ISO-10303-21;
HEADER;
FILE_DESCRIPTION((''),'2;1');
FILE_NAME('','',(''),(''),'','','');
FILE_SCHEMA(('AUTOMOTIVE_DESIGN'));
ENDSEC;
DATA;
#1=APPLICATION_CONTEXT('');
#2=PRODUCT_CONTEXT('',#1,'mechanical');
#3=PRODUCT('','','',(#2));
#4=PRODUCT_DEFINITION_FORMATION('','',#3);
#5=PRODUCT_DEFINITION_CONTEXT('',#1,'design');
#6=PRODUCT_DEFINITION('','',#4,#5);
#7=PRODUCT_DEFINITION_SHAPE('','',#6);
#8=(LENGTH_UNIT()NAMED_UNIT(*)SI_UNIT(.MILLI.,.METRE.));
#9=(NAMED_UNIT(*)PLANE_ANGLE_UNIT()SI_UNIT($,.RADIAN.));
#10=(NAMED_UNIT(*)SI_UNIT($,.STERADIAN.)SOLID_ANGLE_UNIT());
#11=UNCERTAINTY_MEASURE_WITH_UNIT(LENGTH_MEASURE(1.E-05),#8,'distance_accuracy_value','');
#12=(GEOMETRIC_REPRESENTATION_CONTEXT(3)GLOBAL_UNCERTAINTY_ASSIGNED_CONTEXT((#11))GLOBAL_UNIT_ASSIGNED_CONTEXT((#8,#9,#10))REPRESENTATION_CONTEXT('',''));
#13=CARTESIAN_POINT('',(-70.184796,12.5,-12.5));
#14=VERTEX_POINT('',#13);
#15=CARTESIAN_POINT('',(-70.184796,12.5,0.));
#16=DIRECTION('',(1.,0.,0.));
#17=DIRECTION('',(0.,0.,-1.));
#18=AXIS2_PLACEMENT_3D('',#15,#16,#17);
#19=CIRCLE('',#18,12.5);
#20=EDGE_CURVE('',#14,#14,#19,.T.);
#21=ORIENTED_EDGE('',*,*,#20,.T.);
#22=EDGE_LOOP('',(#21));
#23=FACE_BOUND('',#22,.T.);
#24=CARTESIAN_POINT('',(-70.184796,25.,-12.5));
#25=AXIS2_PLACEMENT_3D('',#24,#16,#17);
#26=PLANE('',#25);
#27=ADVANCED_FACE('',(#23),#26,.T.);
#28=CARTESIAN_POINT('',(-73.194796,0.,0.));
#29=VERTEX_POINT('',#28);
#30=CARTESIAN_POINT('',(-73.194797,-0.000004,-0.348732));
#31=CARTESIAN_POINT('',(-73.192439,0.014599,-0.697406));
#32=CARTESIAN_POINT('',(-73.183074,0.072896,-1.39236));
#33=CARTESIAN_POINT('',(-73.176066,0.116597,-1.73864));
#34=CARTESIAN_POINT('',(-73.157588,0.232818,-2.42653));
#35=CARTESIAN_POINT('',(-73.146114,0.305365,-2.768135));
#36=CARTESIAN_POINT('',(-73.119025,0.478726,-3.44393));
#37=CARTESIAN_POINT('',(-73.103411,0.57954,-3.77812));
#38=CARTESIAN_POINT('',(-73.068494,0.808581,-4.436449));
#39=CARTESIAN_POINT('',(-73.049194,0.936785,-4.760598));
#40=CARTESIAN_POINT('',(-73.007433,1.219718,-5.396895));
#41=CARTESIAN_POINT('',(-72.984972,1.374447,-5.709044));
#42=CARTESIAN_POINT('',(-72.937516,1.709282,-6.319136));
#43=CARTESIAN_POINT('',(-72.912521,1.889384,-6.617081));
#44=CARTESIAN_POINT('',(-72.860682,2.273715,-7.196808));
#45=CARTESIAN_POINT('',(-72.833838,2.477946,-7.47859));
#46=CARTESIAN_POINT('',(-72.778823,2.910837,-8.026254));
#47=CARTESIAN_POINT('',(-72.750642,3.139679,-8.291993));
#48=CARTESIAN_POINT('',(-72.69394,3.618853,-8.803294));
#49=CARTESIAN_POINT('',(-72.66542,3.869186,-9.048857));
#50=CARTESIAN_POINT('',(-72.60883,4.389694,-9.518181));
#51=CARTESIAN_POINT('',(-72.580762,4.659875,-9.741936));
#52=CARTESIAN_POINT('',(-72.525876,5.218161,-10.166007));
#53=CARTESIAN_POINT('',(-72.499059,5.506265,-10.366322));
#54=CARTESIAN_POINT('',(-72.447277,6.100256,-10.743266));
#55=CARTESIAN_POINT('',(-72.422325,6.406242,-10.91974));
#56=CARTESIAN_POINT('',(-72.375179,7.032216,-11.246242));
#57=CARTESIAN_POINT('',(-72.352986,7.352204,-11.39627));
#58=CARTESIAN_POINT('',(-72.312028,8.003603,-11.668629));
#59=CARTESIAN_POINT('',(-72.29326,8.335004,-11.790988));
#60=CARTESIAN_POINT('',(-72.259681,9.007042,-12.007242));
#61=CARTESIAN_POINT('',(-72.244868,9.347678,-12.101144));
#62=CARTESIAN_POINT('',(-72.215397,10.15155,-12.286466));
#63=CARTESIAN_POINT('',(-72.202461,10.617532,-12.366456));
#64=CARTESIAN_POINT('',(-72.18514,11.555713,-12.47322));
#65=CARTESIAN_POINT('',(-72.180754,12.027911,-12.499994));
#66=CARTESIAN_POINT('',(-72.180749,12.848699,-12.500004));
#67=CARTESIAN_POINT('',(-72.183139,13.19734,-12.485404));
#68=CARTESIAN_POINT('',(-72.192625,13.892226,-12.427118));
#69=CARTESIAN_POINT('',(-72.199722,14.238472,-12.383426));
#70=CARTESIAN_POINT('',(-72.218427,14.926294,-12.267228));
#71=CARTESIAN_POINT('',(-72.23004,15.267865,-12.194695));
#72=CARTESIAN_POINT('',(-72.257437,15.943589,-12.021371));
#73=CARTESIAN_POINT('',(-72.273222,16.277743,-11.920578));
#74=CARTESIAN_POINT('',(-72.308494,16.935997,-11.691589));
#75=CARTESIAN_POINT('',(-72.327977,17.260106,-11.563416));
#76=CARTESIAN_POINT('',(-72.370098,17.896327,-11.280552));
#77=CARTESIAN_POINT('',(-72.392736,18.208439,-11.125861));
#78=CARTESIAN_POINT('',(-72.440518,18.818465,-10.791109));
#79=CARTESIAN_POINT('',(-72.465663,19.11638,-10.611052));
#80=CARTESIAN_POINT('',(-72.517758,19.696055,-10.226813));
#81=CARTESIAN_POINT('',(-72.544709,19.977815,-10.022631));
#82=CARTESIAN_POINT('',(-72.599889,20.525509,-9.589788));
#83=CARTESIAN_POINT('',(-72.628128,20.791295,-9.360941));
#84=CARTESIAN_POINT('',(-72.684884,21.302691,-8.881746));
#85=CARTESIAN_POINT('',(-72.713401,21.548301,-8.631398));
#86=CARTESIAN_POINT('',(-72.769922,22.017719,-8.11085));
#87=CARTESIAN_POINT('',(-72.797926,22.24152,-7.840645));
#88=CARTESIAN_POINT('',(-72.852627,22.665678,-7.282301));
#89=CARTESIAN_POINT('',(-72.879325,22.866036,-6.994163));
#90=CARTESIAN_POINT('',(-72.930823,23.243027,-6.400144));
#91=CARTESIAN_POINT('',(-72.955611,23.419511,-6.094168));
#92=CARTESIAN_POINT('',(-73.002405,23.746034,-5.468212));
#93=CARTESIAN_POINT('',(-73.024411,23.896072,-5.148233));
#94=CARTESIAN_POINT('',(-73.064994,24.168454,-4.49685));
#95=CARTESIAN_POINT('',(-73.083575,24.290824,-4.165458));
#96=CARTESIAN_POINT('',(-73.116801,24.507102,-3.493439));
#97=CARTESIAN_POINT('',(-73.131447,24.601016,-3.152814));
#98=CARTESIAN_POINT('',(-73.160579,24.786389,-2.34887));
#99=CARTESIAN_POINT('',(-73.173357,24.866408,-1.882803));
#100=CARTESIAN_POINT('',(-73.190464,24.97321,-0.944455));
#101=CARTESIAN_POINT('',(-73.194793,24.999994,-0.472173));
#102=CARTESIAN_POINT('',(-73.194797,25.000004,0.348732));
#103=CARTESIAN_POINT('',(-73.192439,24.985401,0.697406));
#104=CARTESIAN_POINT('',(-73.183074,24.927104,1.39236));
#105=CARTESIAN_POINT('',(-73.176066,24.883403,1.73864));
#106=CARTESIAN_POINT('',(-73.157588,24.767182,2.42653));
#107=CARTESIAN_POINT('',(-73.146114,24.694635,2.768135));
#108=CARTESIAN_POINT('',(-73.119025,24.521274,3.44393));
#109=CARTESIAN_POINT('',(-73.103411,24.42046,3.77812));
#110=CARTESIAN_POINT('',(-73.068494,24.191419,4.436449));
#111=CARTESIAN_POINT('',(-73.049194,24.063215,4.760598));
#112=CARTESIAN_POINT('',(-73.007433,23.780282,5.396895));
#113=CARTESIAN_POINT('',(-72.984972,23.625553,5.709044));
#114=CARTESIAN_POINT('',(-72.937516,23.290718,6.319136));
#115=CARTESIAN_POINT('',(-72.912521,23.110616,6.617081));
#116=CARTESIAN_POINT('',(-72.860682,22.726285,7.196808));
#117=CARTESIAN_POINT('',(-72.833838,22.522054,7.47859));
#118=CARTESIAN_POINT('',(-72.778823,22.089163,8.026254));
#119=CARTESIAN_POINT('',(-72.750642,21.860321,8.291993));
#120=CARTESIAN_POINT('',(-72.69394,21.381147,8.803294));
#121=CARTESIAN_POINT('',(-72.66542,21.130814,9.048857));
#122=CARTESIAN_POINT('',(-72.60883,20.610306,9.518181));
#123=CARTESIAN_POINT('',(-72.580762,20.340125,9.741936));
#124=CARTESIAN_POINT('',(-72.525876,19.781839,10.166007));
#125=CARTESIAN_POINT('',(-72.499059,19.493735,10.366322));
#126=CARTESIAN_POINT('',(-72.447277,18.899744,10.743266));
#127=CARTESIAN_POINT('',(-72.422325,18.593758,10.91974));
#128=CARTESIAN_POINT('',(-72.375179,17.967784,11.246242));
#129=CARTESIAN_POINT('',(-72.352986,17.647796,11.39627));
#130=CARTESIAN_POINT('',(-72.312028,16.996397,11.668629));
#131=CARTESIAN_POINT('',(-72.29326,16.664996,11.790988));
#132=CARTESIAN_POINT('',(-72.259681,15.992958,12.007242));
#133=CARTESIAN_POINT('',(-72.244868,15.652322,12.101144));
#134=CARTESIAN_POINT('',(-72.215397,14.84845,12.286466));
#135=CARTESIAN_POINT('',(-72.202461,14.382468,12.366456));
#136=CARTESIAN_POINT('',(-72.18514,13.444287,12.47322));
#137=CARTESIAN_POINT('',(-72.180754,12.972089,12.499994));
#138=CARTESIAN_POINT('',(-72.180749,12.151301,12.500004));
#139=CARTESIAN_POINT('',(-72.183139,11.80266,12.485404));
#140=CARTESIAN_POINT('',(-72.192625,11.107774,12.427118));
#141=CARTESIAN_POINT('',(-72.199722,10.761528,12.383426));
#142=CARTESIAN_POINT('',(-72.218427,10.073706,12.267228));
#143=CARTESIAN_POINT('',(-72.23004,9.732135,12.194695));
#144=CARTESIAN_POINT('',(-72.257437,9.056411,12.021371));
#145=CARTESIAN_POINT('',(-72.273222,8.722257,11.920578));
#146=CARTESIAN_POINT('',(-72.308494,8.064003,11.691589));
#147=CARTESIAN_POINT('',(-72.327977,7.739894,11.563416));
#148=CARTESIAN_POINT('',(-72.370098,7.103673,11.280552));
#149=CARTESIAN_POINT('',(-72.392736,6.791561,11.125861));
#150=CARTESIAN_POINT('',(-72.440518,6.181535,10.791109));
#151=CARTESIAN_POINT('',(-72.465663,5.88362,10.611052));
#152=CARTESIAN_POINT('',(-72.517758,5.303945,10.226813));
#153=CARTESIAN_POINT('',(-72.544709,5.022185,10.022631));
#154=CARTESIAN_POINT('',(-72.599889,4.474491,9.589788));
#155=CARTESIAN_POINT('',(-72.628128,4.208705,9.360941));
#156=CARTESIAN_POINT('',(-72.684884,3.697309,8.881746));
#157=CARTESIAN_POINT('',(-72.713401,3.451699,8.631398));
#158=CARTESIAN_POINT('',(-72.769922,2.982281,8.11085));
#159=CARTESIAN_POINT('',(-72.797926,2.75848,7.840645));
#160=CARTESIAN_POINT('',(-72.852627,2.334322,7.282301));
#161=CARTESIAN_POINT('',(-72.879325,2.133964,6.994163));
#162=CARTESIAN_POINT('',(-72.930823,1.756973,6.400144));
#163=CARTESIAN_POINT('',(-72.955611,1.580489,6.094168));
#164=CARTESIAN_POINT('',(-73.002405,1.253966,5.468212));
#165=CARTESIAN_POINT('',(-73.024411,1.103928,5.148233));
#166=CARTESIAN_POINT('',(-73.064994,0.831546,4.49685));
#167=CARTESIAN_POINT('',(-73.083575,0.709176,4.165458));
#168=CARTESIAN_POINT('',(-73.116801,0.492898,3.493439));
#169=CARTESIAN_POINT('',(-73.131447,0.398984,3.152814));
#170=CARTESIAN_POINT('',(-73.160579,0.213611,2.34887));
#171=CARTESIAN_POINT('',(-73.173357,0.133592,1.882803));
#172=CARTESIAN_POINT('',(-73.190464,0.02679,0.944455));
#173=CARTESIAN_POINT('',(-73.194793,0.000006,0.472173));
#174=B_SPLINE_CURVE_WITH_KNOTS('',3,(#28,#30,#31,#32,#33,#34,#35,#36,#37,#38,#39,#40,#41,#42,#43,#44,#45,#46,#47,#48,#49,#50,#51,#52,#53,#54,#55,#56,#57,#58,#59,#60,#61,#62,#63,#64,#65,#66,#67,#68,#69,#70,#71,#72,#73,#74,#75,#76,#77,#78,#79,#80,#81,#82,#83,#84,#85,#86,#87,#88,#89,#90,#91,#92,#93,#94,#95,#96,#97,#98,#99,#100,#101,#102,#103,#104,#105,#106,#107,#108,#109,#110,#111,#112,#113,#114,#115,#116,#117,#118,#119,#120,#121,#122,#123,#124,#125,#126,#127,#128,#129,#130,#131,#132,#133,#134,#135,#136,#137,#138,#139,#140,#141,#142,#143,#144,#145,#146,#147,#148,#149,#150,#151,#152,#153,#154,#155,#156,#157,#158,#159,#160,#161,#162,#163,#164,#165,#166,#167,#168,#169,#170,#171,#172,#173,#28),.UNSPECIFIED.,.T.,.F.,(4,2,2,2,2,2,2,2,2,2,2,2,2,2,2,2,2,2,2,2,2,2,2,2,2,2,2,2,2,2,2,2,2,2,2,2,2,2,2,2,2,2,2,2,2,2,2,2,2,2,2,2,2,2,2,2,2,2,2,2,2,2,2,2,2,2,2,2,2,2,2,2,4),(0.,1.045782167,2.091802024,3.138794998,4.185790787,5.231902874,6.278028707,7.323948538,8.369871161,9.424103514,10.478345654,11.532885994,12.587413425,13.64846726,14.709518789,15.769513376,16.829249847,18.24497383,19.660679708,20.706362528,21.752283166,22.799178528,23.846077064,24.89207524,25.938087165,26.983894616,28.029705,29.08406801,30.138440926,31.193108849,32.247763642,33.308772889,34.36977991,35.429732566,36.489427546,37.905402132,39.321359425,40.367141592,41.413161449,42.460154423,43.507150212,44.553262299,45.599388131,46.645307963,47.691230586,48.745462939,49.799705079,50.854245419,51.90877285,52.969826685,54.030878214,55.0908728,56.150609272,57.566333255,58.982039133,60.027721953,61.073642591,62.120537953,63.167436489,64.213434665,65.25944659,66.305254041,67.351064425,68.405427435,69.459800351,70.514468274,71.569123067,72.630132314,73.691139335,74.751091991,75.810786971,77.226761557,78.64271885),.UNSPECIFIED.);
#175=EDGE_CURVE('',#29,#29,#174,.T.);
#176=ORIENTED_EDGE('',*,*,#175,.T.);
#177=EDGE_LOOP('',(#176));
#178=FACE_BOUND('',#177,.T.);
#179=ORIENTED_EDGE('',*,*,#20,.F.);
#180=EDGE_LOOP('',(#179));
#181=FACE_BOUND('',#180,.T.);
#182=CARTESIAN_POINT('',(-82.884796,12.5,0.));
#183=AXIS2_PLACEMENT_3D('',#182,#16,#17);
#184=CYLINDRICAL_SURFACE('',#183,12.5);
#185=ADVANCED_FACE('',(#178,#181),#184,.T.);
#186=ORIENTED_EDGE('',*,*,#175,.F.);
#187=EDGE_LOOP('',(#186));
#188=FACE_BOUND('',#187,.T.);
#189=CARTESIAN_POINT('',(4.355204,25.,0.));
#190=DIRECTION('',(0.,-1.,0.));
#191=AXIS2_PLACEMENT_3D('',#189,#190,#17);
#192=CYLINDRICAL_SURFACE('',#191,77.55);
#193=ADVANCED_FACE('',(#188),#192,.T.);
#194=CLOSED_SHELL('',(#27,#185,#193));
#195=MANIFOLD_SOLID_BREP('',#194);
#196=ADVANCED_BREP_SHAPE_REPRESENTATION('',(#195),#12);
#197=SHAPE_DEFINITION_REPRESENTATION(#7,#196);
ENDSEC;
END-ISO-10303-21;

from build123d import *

# Parameters (mm, degrees)
EXTRUDE_1_DEPTH     = 25
CUT_EXTRUDE_8_DEPTH = 12.7


with BuildPart() as part:
    # 草图1 → 凸台-拉伸1 (new body)
    with BuildSketch(Plane(origin=(0, 0, 0), x_dir=(1, 0, 0), z_dir=(0, 1, 0))):
        with BuildLine():
            Line((-72.180751268, 12.5), (-70.184795665, 12.5))
            Line((-70.184795665, 12.5), (-70.184795665, -12.5))
            Line((-70.184795665, -12.5), (-72.180751268, -12.5))
            ThreePointArc((-72.180751268, -12.5), (-73.194795665, 0), (-72.180751268, 12.5))
        make_face()
    extrude(amount=EXTRUDE_1_DEPTH)

    # 草图2 → 切除-拉伸8 (cut)
    with BuildSketch(Plane(origin=(-70.184795665, 0, 0), x_dir=(0, 0, -1), z_dir=(1, 0, 0))):
        with BuildLine():
            Line((-12.5, 25), (-12.5, 12.5))
            ThreePointArc((-12.5, 12.5), (-8.838834765, 21.338834765), (0, 25))
            Line((0, 25), (-12.5, 25))
        make_face()
        with BuildLine():
            ThreePointArc((0, 25), (8.838834765, 21.338834765), (12.5, 12.5))
            Line((12.5, 12.5), (12.5, 25))
            Line((12.5, 25), (0, 25))
        make_face()
        with BuildLine():
            ThreePointArc((12.5, 12.5), (8.838834765, 3.661165235), (0, 0))
            Line((0, 0), (12.5, 0))
            Line((12.5, 0), (12.5, 12.5))
        make_face()
        with BuildLine():
            Line((-12.5, 12.5), (-12.5, 0))
            Line((-12.5, 0), (0, 0))
            ThreePointArc((0, 0), (-8.838834765, 3.661165235), (-12.5, 12.5))
        make_face()
    extrude(amount=-CUT_EXTRUDE_8_DEPTH, mode=Mode.SUBTRACT)


solid = part.part
